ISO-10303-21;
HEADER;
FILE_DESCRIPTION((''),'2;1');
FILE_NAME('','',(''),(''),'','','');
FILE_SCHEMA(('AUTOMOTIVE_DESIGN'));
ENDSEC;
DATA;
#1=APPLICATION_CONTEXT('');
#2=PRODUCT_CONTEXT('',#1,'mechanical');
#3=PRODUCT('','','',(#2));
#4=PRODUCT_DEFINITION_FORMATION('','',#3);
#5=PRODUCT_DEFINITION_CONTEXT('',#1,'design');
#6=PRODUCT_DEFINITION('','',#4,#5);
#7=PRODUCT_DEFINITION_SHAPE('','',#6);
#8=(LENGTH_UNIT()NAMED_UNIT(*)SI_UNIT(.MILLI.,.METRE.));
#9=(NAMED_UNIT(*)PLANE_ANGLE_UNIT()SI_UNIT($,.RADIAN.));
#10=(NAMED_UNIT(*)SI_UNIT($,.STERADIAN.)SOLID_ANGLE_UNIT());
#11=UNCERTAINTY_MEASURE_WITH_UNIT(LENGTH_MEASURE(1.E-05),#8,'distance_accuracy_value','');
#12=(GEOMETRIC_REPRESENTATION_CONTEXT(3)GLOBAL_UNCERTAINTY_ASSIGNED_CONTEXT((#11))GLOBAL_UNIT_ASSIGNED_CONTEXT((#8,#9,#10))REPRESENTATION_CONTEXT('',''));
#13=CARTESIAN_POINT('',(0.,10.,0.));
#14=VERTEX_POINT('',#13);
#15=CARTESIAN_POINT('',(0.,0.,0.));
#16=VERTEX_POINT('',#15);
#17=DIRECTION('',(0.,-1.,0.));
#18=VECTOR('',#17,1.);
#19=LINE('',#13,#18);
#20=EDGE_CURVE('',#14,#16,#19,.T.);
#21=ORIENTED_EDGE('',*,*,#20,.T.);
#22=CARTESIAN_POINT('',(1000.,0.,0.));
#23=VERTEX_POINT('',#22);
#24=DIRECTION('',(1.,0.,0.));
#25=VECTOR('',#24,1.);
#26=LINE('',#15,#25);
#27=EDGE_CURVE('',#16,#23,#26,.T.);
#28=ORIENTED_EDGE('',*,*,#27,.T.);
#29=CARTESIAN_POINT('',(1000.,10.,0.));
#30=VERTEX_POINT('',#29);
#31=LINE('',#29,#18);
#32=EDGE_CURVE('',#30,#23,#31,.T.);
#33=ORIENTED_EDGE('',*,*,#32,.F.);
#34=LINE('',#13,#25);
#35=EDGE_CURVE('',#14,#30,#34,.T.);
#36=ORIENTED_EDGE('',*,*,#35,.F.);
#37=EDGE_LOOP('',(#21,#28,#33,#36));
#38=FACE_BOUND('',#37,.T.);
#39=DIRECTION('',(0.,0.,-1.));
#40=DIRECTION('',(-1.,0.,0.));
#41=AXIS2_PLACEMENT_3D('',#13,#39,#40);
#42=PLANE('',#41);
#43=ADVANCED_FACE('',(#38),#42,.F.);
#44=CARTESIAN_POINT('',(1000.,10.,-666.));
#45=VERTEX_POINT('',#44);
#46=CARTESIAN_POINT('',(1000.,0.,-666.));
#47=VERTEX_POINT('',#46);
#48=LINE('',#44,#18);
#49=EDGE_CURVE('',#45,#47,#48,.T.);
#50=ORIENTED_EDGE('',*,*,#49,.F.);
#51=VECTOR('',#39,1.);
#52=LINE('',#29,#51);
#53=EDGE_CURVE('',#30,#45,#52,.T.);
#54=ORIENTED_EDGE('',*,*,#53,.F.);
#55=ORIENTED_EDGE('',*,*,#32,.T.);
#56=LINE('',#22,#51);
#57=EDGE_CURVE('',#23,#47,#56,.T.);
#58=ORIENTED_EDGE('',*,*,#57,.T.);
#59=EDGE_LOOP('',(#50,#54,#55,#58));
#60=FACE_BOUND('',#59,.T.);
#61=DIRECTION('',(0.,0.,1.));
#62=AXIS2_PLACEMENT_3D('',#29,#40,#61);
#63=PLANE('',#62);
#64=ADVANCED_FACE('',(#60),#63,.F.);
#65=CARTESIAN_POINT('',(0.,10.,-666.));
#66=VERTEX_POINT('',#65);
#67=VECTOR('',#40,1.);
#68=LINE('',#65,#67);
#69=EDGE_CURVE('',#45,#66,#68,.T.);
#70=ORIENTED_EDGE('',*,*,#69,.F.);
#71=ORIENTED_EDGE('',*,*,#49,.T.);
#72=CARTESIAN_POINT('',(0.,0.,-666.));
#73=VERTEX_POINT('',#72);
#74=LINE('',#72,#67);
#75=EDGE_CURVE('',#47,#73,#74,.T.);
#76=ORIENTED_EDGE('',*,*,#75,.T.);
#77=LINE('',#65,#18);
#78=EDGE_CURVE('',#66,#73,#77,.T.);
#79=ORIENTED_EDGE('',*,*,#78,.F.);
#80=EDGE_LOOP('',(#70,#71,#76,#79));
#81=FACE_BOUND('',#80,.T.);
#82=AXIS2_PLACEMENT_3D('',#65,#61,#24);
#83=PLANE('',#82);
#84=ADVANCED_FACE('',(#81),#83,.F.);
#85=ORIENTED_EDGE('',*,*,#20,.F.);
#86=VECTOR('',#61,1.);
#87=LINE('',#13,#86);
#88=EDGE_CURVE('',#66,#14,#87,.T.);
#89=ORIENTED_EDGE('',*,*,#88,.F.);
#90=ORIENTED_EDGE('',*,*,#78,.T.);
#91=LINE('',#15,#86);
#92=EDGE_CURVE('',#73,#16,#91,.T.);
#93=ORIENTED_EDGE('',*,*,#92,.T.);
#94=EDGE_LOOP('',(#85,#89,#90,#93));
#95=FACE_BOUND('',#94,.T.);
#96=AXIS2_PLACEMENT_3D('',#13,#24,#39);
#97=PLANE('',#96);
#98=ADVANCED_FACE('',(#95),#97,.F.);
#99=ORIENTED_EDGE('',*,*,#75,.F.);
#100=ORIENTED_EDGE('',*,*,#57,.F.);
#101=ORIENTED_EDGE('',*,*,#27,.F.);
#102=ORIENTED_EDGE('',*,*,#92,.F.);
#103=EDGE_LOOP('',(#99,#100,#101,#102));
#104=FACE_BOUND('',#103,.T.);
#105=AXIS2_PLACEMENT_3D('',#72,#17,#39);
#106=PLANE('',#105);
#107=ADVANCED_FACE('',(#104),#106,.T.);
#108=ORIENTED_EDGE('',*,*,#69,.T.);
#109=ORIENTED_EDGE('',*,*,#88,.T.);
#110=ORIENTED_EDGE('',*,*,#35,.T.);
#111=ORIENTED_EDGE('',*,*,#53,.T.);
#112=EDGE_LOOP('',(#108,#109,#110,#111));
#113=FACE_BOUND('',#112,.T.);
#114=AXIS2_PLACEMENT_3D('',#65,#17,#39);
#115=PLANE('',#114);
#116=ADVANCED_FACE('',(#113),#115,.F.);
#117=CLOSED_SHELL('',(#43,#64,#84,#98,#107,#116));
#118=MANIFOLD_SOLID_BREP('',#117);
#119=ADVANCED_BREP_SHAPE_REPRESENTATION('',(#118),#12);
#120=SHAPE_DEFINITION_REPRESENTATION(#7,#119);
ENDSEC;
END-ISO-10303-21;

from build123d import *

# Parameters (mm, degrees)
ESQUISSE1_W      = 1000
ESQUISSE1_H      = 666
EXTRUSION1_DEPTH = 10


with BuildPart() as part:
    # Esquisse1 → Extrusion1 (new body)
    with BuildSketch(Plane(origin=(0, 0, 0), x_dir=(1, 0, 0), z_dir=(0, 1, 0))):
        with Locations((500, 333)):
            Rectangle(ESQUISSE1_W, ESQUISSE1_H)
    extrude(amount=EXTRUSION1_DEPTH)


solid = part.part
